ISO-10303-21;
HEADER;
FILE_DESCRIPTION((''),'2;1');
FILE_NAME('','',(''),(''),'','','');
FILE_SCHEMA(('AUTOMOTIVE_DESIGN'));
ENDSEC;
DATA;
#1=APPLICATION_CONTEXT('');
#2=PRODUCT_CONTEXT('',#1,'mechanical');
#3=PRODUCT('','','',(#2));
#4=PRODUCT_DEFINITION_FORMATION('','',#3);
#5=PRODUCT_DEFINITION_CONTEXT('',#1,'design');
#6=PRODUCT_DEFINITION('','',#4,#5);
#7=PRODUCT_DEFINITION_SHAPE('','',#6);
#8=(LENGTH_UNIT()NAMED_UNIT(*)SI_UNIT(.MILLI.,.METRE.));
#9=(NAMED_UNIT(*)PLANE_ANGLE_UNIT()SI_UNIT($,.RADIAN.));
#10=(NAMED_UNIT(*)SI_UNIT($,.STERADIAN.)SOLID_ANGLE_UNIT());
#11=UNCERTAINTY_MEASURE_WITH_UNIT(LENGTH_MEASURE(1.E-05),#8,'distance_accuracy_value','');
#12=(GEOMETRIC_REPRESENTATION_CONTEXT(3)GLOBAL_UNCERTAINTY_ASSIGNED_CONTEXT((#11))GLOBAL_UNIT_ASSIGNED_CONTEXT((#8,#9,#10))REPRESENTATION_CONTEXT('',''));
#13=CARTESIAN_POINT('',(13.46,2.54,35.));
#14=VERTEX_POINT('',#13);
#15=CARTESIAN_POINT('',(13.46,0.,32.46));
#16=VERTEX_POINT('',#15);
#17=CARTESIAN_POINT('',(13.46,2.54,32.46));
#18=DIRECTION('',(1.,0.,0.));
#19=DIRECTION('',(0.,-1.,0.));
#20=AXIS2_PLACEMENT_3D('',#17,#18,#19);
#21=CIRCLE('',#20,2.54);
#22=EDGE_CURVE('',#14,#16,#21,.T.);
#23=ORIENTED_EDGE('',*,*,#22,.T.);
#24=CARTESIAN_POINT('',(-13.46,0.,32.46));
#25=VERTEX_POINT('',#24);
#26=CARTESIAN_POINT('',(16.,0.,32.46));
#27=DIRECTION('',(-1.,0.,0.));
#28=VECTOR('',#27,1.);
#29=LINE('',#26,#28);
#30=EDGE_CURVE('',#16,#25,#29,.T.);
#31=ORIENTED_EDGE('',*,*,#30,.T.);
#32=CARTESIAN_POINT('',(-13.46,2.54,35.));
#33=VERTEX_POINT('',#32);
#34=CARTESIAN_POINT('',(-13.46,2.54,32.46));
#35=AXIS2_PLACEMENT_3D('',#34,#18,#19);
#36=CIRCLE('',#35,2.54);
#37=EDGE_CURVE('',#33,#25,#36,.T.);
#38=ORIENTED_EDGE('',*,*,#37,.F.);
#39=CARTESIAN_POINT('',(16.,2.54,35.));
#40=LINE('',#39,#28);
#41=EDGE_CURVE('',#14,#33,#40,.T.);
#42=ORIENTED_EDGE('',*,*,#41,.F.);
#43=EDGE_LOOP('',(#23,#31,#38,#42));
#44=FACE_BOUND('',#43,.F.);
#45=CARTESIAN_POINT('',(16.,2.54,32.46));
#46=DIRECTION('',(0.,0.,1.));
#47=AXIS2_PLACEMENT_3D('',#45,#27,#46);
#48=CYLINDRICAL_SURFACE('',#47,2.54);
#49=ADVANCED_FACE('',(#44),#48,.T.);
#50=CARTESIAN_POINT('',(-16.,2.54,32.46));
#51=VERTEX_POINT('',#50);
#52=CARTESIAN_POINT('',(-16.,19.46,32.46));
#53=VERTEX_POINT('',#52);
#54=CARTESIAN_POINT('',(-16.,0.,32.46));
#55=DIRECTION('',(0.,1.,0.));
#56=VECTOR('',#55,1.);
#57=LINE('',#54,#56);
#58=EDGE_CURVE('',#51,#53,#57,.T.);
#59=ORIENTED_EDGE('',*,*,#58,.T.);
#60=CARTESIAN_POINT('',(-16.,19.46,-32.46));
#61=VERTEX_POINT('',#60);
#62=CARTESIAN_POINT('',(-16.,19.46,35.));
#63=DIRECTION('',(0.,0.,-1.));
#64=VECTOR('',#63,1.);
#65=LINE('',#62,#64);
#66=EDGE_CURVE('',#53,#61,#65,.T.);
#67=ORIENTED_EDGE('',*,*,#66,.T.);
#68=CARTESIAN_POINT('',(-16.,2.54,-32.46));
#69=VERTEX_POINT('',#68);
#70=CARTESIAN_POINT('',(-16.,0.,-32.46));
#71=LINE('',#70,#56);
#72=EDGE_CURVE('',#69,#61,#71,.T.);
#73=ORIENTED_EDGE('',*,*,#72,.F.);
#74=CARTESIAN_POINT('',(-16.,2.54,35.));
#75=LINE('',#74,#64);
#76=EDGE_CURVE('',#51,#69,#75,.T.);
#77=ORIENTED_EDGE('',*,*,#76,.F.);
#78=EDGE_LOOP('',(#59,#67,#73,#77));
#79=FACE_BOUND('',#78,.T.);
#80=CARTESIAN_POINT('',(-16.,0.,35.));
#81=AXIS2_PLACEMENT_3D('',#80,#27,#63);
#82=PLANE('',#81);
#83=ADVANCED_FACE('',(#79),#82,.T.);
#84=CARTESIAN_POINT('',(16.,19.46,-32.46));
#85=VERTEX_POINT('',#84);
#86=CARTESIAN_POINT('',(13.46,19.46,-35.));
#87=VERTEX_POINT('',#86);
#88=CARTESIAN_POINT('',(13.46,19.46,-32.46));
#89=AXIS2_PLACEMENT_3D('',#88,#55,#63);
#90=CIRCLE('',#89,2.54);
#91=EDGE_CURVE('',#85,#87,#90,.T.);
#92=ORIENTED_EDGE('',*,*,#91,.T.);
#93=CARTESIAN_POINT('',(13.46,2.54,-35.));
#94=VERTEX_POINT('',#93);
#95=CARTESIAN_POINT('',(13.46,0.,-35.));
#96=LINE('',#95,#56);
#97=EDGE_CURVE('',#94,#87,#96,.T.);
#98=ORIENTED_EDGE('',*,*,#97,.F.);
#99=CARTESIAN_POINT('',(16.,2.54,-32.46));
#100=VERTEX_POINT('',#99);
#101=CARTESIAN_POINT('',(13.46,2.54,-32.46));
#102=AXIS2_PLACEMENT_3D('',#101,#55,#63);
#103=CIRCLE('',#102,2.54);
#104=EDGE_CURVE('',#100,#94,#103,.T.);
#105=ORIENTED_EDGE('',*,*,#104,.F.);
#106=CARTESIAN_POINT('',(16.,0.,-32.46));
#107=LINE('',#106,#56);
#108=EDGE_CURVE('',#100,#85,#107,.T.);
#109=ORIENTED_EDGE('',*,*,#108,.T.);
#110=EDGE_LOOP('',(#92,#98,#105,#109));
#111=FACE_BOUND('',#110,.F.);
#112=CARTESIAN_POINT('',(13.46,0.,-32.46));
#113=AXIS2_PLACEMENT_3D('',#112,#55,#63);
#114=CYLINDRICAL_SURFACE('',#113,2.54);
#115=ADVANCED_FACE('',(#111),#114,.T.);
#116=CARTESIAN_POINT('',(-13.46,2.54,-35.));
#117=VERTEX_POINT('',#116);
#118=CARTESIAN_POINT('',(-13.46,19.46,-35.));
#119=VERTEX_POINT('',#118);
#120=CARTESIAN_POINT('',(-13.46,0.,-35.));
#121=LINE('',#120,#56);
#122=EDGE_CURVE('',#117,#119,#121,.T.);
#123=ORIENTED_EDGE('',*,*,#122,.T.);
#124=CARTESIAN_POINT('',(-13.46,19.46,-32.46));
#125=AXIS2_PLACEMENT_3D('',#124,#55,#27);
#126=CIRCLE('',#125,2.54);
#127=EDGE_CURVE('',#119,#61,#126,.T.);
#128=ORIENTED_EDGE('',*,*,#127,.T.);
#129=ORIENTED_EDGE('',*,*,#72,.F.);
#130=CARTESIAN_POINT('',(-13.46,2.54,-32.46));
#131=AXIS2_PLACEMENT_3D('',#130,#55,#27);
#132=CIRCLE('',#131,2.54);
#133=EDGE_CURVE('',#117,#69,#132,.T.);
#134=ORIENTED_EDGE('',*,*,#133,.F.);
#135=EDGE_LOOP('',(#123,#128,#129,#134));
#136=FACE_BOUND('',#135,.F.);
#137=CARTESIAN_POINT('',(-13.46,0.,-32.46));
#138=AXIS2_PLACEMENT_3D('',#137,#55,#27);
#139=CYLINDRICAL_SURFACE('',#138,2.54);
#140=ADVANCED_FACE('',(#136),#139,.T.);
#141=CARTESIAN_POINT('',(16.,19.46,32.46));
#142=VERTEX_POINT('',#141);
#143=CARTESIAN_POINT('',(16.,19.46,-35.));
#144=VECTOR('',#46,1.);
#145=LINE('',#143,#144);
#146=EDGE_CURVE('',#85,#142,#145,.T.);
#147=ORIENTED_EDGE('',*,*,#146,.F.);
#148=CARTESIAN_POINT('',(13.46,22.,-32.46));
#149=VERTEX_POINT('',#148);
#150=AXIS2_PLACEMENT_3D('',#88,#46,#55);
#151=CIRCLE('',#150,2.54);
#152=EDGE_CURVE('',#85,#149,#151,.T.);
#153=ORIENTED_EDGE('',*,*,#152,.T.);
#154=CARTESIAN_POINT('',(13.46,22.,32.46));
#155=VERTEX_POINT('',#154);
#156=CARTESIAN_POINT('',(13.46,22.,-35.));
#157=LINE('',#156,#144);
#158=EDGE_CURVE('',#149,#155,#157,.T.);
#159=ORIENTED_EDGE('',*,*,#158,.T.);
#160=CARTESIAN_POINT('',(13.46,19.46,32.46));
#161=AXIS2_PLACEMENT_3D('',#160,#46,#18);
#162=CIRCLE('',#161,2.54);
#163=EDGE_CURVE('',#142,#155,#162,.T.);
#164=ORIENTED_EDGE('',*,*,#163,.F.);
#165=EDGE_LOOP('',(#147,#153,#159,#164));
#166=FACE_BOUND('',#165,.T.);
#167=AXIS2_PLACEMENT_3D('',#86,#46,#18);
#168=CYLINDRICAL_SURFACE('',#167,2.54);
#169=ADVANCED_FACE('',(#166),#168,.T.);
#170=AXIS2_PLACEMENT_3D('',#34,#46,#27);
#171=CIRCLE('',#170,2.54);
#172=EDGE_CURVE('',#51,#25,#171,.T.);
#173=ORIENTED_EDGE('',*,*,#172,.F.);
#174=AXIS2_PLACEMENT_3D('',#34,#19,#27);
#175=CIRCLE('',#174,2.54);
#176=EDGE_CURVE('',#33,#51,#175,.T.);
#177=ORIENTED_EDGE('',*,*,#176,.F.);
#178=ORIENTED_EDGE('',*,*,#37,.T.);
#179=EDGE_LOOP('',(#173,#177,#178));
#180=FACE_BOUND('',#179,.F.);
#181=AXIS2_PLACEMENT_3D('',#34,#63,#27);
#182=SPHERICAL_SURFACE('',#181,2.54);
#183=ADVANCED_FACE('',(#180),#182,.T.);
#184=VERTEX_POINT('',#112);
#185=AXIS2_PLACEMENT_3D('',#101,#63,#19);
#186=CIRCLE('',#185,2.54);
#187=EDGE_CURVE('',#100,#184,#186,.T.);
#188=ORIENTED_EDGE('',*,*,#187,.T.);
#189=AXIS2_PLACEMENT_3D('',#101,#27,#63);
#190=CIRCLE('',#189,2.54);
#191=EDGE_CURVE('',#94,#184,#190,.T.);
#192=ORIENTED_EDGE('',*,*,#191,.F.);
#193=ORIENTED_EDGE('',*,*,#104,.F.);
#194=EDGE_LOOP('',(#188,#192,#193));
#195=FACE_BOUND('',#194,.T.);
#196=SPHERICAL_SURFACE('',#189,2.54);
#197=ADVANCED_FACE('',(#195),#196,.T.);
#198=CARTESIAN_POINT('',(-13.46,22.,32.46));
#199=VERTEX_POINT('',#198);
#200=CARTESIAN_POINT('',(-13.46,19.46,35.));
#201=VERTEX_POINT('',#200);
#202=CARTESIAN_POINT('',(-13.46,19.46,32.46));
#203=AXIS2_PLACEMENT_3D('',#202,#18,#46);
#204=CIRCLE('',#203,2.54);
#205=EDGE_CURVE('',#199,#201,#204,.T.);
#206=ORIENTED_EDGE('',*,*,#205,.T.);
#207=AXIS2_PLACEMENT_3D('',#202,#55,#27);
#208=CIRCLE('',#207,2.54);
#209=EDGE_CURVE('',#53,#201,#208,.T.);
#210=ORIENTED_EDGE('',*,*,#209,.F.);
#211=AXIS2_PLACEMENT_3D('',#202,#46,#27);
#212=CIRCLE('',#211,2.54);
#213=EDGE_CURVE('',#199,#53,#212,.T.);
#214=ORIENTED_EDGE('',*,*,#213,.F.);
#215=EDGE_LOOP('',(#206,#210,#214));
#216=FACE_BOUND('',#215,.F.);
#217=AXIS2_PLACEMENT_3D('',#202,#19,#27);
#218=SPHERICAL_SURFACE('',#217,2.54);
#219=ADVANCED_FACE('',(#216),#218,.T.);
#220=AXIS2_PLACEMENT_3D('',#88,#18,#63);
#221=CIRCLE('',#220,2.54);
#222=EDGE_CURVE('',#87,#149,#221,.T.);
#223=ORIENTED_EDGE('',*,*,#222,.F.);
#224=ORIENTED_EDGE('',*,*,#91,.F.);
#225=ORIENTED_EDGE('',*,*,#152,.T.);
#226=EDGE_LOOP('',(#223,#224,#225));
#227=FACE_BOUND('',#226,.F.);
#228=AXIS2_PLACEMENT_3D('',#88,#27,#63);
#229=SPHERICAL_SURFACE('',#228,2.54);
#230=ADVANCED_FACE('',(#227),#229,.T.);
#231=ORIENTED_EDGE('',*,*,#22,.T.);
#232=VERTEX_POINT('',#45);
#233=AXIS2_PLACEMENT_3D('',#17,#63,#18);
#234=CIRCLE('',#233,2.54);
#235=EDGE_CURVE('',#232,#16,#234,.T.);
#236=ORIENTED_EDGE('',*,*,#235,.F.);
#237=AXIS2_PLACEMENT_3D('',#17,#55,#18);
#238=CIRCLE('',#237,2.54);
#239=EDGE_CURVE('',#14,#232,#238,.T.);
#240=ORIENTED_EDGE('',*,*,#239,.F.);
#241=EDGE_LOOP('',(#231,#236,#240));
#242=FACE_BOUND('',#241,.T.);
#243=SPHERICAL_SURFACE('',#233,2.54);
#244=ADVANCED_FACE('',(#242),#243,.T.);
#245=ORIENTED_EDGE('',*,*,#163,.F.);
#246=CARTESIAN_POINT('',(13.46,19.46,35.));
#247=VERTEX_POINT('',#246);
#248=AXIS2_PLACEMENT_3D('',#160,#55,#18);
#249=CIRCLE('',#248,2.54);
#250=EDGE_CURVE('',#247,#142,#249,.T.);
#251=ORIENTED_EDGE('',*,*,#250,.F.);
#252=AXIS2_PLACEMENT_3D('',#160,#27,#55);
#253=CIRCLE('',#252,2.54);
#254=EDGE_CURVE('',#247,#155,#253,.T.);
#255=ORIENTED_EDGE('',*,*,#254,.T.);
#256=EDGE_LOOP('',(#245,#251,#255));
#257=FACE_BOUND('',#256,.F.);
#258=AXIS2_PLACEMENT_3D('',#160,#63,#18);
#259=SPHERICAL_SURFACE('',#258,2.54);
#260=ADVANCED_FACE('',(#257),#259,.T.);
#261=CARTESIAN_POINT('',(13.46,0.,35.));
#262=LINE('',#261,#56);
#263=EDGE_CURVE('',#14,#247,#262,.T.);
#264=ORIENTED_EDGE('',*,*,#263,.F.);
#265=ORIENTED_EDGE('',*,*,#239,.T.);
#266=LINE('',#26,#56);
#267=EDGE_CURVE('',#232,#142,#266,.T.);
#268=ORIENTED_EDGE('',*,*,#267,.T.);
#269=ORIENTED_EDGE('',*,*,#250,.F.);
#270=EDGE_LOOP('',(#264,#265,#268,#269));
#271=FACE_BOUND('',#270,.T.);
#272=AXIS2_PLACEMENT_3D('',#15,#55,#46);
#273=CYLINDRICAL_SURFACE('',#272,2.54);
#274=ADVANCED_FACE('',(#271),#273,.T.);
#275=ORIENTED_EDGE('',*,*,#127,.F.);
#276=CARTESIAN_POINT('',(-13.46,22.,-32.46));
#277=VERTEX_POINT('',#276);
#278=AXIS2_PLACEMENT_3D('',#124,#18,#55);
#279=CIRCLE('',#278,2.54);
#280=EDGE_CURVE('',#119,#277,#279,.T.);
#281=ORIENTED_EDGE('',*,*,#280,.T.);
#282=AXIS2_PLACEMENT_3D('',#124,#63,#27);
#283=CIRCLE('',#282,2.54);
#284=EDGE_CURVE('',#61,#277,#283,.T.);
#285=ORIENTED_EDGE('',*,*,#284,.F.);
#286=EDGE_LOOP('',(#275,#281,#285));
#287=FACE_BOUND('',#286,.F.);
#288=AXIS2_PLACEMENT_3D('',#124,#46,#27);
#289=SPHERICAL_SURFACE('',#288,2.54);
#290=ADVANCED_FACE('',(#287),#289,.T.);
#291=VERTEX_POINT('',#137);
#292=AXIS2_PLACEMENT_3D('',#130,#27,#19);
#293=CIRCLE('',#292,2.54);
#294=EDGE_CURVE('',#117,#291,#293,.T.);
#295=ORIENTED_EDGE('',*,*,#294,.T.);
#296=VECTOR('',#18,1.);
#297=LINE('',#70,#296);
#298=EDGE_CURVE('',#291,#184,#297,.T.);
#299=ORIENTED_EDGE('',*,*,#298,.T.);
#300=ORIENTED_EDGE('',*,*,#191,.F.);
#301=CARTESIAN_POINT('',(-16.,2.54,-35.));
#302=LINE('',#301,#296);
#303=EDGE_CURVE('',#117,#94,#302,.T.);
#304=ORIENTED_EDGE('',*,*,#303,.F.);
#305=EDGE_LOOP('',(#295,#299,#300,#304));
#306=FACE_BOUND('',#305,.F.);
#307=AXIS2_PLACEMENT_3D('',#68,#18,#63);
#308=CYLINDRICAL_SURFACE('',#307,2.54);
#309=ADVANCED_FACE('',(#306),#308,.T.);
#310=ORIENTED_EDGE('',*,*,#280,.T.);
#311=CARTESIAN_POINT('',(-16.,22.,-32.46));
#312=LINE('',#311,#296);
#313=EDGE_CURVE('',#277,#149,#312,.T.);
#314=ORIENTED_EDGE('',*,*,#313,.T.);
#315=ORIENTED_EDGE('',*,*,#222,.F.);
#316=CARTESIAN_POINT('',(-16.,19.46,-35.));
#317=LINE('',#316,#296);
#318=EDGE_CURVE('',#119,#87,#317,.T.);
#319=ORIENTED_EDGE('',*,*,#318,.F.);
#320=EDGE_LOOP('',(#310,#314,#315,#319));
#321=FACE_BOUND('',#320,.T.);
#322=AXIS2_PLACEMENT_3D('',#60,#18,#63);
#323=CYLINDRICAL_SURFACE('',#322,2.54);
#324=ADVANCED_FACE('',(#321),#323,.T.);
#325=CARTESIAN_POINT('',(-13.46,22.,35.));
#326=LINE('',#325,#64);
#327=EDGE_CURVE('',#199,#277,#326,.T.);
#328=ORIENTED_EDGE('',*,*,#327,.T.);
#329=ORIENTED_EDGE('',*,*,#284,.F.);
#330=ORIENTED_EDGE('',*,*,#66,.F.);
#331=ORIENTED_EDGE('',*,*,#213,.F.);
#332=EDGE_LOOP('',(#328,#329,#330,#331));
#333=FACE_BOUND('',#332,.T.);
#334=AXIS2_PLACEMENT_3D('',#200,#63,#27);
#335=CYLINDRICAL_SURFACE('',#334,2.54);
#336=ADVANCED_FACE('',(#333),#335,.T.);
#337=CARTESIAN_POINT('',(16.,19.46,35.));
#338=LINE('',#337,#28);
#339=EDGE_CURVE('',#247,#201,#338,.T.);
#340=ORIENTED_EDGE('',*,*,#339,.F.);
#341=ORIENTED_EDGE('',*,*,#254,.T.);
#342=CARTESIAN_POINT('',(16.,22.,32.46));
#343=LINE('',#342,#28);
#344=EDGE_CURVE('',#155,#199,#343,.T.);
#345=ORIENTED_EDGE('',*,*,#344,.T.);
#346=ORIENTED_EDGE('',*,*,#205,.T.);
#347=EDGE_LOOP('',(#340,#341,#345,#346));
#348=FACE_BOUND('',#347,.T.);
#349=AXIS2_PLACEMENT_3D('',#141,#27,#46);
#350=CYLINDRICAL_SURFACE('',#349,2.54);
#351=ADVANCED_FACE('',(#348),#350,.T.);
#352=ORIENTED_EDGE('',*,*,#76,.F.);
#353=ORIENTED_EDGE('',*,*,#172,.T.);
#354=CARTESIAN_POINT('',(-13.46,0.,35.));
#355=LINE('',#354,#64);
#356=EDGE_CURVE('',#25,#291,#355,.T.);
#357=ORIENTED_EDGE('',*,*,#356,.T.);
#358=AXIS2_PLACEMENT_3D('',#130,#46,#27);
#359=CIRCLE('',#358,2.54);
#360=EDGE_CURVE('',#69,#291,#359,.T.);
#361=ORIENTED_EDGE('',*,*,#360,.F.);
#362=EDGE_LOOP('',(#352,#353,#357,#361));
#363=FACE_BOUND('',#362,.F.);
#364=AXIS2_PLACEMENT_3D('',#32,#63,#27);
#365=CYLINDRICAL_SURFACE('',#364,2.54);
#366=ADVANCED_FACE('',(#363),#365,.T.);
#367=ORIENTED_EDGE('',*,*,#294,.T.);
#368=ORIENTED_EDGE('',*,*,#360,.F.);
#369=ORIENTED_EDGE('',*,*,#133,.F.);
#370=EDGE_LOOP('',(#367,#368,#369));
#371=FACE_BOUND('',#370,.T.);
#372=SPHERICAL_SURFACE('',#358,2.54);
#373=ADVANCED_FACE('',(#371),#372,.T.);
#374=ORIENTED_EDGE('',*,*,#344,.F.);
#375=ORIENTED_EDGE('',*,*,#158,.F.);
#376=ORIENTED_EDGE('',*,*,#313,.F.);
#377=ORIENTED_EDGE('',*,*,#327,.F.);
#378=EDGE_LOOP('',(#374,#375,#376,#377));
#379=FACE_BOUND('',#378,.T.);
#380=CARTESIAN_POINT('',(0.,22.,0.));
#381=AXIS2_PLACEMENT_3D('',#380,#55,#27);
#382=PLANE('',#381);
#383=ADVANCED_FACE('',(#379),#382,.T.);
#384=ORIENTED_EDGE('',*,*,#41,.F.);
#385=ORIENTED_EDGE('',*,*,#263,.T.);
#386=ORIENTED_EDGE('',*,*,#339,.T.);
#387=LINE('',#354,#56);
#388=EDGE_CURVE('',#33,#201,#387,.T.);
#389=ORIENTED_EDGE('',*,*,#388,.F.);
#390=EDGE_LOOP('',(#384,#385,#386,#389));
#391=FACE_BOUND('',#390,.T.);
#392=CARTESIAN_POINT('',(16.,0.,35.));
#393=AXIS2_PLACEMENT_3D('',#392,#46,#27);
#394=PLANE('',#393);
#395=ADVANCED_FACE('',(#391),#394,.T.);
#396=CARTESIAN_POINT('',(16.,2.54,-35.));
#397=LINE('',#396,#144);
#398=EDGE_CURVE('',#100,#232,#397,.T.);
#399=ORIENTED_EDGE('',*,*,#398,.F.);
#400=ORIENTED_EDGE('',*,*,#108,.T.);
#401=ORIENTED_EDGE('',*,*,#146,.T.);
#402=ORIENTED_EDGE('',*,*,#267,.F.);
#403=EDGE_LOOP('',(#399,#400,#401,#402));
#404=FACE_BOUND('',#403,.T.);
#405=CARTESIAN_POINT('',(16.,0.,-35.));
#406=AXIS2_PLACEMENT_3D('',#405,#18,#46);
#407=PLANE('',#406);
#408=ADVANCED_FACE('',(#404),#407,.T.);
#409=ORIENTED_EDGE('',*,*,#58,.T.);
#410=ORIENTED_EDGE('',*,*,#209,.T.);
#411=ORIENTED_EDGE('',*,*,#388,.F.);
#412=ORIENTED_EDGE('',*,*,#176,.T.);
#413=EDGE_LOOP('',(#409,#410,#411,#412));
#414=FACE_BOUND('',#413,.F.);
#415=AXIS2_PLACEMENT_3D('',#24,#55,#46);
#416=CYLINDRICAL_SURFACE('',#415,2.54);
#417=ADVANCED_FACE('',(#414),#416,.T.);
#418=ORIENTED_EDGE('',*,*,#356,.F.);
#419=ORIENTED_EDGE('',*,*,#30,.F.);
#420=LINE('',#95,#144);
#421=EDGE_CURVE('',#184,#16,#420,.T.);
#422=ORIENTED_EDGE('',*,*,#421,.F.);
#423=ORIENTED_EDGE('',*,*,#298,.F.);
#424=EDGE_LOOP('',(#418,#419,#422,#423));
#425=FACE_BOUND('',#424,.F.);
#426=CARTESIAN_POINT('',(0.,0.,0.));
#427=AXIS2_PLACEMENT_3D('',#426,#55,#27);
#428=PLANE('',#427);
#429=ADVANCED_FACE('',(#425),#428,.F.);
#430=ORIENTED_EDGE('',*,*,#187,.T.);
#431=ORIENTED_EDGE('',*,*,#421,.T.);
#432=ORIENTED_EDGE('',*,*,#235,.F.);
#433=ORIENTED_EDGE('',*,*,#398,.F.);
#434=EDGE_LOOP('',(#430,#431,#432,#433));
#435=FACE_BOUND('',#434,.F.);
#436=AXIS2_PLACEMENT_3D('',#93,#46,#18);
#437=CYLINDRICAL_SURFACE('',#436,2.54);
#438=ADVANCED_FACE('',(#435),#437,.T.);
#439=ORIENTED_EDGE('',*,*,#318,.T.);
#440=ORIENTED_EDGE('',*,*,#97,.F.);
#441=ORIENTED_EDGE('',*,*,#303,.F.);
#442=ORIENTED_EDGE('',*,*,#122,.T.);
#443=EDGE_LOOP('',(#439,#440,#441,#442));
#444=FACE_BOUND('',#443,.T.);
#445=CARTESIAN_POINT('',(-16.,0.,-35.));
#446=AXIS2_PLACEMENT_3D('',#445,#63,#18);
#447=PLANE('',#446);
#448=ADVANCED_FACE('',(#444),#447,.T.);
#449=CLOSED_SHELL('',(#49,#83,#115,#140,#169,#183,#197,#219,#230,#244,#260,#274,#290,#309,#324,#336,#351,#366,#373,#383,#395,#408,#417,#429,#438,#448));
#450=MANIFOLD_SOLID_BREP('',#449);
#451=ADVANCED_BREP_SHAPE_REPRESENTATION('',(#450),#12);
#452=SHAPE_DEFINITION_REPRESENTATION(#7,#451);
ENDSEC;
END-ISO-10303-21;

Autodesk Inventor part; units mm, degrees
ref_plane "YZ Plane" through (0, 0, 0) normal (1, 0, 0) x (0, 1, 0)
ref_plane "XZ Plane" through (0, 0, 0) normal (0, 1, 0) x (-1, 0, 0)
ref_plane "XY Plane" through (0, 0, 0) normal (0, 0, 1) x (1, 0, 0)
sketch "Sketch1" plane through (0, 0, 0) normal (0, 1, 0) x (-1, 0, 0)
  line L0 (-16, 35) -> (16, 35)
  line L1 (16, 35) -> (16, -35)
  line L2 (16, -35) -> (-16, -35)
  line L3 (-16, -35) -> (-16, 35)
  line L4 (-16, 35) -> (16, -35) construction
  line L5 (16, 35) -> (-16, -35) construction
  point P0 (0, 0)
  dimension "d0" = 32
  dimension "d1" = 70
extrude "Extrusion1" add sketch "Sketch1" along normal blind 22
fillet "Fillet1" radius 2.54 12 edges at (-16, 0, 0) (-16, 11, 35) (-16, 22, 0) (-16, 11, -35) (0, 0, -35) (0, 22, -35) (16, 11, -35) (16, 0, 0) (16, 22, 0) (16, 11, 35) (0, 0, 35) (0, 22, 35)
properties part number "battery"
